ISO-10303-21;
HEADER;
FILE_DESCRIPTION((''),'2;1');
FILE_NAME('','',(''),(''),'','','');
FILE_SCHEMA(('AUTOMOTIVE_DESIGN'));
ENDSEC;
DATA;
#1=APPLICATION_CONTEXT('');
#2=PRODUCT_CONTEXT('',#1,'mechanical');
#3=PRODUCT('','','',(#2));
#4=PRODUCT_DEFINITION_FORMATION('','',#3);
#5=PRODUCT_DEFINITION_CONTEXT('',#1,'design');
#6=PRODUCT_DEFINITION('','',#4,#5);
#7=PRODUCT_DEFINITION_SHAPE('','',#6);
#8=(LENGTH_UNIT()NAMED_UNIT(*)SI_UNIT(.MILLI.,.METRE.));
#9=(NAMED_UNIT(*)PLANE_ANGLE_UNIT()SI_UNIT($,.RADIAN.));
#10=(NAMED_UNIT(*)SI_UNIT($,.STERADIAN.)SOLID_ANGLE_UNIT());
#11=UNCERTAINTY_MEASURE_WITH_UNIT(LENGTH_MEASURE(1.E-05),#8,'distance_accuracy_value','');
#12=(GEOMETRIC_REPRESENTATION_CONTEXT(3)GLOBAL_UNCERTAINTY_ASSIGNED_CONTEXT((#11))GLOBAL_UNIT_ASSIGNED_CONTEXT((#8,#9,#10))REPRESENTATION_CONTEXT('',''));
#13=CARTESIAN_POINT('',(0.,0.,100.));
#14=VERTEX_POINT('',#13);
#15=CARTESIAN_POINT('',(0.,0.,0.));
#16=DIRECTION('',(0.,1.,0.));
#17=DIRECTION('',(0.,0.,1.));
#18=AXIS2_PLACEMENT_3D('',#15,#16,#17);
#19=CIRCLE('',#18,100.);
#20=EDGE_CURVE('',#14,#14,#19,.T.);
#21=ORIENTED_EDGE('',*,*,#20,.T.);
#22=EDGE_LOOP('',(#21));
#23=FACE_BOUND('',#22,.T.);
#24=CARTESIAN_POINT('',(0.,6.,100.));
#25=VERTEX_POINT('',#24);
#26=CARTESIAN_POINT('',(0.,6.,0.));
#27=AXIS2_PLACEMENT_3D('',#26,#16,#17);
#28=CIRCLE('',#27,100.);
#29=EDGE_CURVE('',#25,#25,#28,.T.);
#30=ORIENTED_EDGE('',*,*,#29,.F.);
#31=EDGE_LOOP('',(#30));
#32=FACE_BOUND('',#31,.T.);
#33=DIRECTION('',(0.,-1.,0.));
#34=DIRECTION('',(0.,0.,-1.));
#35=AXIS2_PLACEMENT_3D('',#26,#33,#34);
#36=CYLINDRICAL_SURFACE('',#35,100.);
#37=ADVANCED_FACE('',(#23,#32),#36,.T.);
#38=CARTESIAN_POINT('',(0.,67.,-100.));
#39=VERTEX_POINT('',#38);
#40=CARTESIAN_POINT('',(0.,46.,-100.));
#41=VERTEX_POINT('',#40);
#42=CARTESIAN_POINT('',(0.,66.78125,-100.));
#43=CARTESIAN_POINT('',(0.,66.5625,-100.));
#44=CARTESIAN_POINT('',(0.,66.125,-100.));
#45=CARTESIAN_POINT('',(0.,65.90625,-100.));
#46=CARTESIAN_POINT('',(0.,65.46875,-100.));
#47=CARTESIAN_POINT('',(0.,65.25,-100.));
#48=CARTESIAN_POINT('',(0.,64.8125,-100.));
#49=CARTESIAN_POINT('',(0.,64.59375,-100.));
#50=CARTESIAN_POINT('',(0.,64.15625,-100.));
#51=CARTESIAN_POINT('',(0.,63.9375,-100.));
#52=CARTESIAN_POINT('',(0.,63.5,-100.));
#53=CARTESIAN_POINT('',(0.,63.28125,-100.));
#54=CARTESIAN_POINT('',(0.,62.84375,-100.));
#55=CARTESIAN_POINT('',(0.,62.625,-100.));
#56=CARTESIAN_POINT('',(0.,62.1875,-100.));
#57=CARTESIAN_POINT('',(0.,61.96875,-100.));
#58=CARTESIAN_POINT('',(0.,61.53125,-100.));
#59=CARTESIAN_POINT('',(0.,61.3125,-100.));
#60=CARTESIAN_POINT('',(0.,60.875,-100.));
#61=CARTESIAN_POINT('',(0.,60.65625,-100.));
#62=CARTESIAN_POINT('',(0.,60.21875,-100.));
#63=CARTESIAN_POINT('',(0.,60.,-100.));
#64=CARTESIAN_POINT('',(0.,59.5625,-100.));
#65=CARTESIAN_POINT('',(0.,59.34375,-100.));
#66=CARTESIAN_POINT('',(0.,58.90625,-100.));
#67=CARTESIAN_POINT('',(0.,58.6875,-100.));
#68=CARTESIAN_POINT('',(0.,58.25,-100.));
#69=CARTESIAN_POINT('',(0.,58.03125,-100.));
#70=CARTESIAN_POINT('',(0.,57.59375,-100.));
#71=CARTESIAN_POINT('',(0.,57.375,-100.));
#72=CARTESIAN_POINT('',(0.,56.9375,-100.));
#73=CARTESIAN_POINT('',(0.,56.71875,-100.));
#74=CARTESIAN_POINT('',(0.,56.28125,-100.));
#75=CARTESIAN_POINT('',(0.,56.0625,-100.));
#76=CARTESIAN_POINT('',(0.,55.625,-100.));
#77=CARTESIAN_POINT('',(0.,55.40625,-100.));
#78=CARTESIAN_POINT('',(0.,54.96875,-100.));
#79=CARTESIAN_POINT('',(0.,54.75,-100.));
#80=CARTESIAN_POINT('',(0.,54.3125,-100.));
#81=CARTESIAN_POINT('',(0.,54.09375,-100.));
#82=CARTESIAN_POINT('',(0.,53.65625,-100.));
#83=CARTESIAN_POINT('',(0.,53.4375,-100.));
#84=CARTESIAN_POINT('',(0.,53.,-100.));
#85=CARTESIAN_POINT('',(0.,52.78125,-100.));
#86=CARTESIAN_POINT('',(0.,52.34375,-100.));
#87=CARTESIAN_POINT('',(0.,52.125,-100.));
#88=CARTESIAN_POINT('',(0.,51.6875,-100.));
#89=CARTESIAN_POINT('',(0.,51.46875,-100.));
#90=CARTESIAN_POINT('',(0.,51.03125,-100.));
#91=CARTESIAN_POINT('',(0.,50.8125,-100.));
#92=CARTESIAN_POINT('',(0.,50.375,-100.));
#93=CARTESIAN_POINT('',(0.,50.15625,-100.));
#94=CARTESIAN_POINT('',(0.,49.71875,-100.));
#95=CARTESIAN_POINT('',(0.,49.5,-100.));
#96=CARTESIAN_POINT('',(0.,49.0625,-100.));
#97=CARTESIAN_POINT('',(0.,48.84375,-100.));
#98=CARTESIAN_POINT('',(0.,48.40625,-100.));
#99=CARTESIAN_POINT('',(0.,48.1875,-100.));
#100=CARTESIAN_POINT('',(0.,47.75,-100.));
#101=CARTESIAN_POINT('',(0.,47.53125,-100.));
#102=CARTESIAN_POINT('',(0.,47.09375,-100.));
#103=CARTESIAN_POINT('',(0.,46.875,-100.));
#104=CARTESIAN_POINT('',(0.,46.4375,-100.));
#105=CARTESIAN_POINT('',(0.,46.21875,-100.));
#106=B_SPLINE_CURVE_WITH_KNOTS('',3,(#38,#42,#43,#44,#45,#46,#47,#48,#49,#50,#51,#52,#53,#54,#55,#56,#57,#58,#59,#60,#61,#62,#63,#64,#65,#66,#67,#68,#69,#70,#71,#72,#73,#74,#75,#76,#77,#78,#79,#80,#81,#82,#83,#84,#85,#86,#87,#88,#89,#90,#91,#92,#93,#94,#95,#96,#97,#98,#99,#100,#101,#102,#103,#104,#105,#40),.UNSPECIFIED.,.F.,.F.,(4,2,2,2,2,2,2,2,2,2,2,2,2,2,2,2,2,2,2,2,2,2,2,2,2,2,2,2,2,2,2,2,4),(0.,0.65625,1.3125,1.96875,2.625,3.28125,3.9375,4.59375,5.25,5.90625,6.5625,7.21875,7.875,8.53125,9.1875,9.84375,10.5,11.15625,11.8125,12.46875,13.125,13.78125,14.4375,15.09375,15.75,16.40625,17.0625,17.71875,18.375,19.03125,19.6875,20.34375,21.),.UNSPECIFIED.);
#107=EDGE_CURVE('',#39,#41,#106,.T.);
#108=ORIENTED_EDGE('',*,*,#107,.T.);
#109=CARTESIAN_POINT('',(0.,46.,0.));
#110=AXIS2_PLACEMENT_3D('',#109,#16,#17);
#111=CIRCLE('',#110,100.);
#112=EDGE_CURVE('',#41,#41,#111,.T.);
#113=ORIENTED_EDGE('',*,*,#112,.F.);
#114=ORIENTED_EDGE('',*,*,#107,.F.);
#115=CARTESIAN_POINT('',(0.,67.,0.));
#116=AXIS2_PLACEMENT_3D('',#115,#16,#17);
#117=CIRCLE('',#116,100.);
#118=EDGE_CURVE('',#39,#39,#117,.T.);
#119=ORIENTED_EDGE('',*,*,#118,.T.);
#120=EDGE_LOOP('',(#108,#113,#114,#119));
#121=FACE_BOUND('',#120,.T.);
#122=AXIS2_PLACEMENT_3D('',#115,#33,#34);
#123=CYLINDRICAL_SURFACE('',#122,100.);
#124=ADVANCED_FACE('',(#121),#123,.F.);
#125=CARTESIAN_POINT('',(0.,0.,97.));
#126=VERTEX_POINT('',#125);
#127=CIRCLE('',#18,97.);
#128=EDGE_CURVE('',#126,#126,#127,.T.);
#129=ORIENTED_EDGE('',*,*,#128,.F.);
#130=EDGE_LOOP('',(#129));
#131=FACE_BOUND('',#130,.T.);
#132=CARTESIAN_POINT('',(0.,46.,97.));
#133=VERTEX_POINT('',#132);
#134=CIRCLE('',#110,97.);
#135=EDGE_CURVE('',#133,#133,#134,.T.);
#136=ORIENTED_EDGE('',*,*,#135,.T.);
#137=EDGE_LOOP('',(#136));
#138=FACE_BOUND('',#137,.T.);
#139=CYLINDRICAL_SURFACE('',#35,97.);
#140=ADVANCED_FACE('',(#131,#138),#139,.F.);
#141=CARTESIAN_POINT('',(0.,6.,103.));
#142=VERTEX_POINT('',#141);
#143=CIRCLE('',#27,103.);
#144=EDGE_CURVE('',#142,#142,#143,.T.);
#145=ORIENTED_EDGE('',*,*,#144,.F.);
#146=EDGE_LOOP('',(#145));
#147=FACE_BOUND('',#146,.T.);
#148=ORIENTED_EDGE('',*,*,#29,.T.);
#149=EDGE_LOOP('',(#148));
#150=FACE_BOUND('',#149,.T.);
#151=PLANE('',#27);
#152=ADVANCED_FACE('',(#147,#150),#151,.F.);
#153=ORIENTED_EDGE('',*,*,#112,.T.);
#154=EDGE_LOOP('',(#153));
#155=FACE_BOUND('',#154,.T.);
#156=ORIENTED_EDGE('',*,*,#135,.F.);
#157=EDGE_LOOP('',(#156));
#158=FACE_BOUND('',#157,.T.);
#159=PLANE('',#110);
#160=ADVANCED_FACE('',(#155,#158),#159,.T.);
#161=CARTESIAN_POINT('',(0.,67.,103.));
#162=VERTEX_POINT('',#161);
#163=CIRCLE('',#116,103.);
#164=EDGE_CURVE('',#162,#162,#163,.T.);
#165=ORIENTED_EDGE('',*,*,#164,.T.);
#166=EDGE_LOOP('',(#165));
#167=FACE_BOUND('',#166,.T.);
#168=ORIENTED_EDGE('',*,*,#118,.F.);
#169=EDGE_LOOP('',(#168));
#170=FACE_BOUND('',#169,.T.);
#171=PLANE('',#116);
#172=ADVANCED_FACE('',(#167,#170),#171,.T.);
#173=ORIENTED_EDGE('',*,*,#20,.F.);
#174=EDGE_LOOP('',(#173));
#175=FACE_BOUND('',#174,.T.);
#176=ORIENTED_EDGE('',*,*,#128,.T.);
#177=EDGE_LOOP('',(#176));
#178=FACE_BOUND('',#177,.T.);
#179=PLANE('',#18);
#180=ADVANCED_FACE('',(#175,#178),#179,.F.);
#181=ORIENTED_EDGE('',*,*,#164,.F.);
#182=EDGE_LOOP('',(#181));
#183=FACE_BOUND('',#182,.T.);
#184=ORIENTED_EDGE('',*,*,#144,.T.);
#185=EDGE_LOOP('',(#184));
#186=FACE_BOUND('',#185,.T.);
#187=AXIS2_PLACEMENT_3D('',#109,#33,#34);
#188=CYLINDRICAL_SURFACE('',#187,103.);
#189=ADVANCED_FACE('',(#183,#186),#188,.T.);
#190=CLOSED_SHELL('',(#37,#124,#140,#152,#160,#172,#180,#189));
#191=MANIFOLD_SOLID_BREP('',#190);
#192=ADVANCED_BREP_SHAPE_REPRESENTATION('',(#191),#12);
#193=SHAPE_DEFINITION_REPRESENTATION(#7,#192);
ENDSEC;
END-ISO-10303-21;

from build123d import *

# Parameters (mm, degrees)
SKETCH_1_R      = 100
SKETCH_1_R_2    = 97
EXTRUDE_1_DEPTH = 6
SKETCH_2_R      = 103
SKETCH_2_R_2    = 97
EXTRUDE_2_DEPTH = 40
SKETCH_3_R      = 103
SKETCH_3_R_2    = 100
EXTRUDE_3_DEPTH = 21


with BuildPart() as part:
    # 草图1 → 凸台-拉伸1 (new body)
    with BuildSketch(Plane(origin=(0, 0, 0), x_dir=(1, 0, 0), z_dir=(0, 1, 0))):
        with Locations(Location((0, 0, 0), (0, 0, 270))):
            Circle(SKETCH_1_R)
        with Locations(Location((0, 0, 0), (0, 0, 270))):
            Circle(SKETCH_1_R_2, mode=Mode.SUBTRACT)
    extrude(amount=EXTRUDE_1_DEPTH)

    # 草图2 → 凸台-拉伸2 (add)
    with BuildSketch(Plane(origin=(0, 6, 0), x_dir=(1, 0, 0), z_dir=(0, 1, 0))):
        with Locations(Location((0, 0, 0), (0, 0, 270))):
            Circle(SKETCH_2_R)
        with Locations(Location((0, 0, 0), (0, 0, 270))):
            Circle(SKETCH_2_R_2, mode=Mode.SUBTRACT)
    extrude(amount=EXTRUDE_2_DEPTH)

    # 草图3 → 凸台-拉伸3 (add)
    with BuildSketch(Plane(origin=(0, 46, 0), x_dir=(1, 0, 0), z_dir=(0, 1, 0))):
        with Locations(Location((0, 0, 0), (0, 0, 270))):
            Circle(SKETCH_3_R)
        with Locations(Location((0, 0, 0), (0, 0, 270))):
            Circle(SKETCH_3_R_2, mode=Mode.SUBTRACT)
    extrude(amount=EXTRUDE_3_DEPTH)


solid = part.part
